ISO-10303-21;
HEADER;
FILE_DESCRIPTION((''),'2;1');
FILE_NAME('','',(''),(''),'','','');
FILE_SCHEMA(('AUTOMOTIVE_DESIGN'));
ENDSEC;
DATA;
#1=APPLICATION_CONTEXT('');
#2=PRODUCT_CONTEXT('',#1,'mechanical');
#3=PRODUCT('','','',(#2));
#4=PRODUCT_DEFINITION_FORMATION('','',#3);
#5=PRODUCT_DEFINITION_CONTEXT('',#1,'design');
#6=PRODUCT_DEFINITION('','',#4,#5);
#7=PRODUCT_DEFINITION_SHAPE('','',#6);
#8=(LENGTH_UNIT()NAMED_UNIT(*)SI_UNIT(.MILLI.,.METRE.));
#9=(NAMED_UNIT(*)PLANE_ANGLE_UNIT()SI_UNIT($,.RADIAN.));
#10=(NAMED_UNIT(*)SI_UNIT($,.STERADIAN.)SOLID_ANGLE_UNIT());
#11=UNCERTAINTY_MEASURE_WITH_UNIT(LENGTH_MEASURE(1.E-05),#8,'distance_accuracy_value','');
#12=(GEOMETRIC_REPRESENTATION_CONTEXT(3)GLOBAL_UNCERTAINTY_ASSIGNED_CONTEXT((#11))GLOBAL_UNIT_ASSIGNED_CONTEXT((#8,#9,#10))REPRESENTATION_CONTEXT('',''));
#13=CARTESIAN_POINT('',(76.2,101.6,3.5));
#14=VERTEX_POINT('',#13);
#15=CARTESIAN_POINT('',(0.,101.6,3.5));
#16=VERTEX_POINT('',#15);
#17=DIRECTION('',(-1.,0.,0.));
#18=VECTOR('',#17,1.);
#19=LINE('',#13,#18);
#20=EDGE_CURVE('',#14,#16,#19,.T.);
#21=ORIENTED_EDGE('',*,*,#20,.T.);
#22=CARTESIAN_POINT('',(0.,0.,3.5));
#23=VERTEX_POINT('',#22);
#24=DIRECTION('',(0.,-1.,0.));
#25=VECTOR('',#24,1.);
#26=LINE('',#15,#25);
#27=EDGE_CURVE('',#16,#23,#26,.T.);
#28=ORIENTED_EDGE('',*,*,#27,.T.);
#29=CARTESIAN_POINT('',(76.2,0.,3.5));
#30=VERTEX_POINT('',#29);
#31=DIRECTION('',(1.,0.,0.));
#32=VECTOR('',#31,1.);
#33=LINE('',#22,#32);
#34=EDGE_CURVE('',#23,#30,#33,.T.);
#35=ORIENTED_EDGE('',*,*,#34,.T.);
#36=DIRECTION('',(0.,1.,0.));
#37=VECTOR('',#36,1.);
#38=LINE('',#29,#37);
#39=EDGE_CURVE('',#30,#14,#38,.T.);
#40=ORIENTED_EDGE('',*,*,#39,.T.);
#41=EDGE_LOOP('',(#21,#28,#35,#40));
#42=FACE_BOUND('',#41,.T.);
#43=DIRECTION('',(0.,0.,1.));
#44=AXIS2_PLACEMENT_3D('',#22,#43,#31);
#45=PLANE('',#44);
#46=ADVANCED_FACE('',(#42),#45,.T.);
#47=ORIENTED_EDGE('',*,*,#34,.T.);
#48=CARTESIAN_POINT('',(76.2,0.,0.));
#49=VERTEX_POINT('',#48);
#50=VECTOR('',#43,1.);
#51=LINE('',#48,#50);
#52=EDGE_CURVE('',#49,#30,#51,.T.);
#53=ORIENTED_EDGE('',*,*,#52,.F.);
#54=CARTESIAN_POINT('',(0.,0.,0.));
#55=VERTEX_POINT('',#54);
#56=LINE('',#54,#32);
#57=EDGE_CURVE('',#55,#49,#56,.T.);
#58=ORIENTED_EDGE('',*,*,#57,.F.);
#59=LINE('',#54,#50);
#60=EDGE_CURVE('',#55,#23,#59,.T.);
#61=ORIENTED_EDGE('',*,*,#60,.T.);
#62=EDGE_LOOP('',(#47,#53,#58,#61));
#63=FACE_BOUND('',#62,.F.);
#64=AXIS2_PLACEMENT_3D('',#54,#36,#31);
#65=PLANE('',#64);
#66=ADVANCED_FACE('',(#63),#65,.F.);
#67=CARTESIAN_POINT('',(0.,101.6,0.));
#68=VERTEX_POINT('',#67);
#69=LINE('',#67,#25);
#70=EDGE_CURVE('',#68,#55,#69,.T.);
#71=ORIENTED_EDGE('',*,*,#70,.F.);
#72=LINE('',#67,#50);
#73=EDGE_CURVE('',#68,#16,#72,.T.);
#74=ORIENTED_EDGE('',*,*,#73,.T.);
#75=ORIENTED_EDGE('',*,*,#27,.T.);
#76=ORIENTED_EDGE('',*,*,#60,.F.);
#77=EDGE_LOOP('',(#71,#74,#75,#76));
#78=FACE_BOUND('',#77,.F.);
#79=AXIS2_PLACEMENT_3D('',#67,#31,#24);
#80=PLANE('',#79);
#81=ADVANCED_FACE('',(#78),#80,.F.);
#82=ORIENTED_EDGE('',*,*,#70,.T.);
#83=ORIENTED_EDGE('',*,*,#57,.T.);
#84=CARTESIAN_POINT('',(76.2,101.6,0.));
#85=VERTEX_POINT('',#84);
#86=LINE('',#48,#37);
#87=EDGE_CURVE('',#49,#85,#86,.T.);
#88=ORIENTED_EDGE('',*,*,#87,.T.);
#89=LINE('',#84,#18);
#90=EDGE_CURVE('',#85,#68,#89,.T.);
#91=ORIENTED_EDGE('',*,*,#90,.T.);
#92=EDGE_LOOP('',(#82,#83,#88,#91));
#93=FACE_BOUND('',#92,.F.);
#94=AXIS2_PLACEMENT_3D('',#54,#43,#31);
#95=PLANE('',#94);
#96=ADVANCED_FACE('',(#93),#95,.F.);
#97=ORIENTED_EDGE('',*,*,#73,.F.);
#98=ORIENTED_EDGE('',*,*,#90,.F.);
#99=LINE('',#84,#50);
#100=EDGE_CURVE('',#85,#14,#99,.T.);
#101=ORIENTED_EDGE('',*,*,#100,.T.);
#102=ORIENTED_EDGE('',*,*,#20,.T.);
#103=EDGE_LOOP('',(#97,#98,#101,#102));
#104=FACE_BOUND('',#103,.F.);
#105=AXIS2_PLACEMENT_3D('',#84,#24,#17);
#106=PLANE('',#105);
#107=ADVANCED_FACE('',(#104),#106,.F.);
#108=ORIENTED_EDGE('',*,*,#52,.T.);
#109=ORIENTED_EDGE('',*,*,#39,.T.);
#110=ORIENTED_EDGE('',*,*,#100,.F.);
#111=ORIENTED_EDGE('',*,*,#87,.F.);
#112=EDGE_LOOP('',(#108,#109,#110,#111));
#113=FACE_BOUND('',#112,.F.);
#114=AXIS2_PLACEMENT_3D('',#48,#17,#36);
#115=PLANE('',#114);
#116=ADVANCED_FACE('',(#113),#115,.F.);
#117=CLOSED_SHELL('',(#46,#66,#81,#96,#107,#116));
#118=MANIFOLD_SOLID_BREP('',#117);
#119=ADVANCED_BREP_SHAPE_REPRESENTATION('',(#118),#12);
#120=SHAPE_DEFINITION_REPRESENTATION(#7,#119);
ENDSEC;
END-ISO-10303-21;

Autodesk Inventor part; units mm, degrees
ref_plane "YZ Plane" through (0, 0, 0) normal (1, 0, 0) x (0, 1, 0)
ref_plane "XZ Plane" through (0, 0, 0) normal (0, 1, 0) x (-1, 0, 0)
ref_plane "XY Plane" through (0, 0, 0) normal (0, 0, 1) x (1, 0, 0)
sketch "Sketch1" plane through (0, 0, 0) normal (0, 0, 1) x (1, 0, 0)
  line L0 (0, 0) -> (76.2, 0)
  line L1 (76.2, 0) -> (76.2, 101.6)
  line L2 (76.2, 101.6) -> (0, 101.6)
  line L3 (0, 101.6) -> (0, 0)
  dimension "d0" = 76.2
  dimension "d1" = 101.6
extrude "Extrusion1" add sketch "Sketch1" along normal blind 3.5
properties part number "WallBend"
